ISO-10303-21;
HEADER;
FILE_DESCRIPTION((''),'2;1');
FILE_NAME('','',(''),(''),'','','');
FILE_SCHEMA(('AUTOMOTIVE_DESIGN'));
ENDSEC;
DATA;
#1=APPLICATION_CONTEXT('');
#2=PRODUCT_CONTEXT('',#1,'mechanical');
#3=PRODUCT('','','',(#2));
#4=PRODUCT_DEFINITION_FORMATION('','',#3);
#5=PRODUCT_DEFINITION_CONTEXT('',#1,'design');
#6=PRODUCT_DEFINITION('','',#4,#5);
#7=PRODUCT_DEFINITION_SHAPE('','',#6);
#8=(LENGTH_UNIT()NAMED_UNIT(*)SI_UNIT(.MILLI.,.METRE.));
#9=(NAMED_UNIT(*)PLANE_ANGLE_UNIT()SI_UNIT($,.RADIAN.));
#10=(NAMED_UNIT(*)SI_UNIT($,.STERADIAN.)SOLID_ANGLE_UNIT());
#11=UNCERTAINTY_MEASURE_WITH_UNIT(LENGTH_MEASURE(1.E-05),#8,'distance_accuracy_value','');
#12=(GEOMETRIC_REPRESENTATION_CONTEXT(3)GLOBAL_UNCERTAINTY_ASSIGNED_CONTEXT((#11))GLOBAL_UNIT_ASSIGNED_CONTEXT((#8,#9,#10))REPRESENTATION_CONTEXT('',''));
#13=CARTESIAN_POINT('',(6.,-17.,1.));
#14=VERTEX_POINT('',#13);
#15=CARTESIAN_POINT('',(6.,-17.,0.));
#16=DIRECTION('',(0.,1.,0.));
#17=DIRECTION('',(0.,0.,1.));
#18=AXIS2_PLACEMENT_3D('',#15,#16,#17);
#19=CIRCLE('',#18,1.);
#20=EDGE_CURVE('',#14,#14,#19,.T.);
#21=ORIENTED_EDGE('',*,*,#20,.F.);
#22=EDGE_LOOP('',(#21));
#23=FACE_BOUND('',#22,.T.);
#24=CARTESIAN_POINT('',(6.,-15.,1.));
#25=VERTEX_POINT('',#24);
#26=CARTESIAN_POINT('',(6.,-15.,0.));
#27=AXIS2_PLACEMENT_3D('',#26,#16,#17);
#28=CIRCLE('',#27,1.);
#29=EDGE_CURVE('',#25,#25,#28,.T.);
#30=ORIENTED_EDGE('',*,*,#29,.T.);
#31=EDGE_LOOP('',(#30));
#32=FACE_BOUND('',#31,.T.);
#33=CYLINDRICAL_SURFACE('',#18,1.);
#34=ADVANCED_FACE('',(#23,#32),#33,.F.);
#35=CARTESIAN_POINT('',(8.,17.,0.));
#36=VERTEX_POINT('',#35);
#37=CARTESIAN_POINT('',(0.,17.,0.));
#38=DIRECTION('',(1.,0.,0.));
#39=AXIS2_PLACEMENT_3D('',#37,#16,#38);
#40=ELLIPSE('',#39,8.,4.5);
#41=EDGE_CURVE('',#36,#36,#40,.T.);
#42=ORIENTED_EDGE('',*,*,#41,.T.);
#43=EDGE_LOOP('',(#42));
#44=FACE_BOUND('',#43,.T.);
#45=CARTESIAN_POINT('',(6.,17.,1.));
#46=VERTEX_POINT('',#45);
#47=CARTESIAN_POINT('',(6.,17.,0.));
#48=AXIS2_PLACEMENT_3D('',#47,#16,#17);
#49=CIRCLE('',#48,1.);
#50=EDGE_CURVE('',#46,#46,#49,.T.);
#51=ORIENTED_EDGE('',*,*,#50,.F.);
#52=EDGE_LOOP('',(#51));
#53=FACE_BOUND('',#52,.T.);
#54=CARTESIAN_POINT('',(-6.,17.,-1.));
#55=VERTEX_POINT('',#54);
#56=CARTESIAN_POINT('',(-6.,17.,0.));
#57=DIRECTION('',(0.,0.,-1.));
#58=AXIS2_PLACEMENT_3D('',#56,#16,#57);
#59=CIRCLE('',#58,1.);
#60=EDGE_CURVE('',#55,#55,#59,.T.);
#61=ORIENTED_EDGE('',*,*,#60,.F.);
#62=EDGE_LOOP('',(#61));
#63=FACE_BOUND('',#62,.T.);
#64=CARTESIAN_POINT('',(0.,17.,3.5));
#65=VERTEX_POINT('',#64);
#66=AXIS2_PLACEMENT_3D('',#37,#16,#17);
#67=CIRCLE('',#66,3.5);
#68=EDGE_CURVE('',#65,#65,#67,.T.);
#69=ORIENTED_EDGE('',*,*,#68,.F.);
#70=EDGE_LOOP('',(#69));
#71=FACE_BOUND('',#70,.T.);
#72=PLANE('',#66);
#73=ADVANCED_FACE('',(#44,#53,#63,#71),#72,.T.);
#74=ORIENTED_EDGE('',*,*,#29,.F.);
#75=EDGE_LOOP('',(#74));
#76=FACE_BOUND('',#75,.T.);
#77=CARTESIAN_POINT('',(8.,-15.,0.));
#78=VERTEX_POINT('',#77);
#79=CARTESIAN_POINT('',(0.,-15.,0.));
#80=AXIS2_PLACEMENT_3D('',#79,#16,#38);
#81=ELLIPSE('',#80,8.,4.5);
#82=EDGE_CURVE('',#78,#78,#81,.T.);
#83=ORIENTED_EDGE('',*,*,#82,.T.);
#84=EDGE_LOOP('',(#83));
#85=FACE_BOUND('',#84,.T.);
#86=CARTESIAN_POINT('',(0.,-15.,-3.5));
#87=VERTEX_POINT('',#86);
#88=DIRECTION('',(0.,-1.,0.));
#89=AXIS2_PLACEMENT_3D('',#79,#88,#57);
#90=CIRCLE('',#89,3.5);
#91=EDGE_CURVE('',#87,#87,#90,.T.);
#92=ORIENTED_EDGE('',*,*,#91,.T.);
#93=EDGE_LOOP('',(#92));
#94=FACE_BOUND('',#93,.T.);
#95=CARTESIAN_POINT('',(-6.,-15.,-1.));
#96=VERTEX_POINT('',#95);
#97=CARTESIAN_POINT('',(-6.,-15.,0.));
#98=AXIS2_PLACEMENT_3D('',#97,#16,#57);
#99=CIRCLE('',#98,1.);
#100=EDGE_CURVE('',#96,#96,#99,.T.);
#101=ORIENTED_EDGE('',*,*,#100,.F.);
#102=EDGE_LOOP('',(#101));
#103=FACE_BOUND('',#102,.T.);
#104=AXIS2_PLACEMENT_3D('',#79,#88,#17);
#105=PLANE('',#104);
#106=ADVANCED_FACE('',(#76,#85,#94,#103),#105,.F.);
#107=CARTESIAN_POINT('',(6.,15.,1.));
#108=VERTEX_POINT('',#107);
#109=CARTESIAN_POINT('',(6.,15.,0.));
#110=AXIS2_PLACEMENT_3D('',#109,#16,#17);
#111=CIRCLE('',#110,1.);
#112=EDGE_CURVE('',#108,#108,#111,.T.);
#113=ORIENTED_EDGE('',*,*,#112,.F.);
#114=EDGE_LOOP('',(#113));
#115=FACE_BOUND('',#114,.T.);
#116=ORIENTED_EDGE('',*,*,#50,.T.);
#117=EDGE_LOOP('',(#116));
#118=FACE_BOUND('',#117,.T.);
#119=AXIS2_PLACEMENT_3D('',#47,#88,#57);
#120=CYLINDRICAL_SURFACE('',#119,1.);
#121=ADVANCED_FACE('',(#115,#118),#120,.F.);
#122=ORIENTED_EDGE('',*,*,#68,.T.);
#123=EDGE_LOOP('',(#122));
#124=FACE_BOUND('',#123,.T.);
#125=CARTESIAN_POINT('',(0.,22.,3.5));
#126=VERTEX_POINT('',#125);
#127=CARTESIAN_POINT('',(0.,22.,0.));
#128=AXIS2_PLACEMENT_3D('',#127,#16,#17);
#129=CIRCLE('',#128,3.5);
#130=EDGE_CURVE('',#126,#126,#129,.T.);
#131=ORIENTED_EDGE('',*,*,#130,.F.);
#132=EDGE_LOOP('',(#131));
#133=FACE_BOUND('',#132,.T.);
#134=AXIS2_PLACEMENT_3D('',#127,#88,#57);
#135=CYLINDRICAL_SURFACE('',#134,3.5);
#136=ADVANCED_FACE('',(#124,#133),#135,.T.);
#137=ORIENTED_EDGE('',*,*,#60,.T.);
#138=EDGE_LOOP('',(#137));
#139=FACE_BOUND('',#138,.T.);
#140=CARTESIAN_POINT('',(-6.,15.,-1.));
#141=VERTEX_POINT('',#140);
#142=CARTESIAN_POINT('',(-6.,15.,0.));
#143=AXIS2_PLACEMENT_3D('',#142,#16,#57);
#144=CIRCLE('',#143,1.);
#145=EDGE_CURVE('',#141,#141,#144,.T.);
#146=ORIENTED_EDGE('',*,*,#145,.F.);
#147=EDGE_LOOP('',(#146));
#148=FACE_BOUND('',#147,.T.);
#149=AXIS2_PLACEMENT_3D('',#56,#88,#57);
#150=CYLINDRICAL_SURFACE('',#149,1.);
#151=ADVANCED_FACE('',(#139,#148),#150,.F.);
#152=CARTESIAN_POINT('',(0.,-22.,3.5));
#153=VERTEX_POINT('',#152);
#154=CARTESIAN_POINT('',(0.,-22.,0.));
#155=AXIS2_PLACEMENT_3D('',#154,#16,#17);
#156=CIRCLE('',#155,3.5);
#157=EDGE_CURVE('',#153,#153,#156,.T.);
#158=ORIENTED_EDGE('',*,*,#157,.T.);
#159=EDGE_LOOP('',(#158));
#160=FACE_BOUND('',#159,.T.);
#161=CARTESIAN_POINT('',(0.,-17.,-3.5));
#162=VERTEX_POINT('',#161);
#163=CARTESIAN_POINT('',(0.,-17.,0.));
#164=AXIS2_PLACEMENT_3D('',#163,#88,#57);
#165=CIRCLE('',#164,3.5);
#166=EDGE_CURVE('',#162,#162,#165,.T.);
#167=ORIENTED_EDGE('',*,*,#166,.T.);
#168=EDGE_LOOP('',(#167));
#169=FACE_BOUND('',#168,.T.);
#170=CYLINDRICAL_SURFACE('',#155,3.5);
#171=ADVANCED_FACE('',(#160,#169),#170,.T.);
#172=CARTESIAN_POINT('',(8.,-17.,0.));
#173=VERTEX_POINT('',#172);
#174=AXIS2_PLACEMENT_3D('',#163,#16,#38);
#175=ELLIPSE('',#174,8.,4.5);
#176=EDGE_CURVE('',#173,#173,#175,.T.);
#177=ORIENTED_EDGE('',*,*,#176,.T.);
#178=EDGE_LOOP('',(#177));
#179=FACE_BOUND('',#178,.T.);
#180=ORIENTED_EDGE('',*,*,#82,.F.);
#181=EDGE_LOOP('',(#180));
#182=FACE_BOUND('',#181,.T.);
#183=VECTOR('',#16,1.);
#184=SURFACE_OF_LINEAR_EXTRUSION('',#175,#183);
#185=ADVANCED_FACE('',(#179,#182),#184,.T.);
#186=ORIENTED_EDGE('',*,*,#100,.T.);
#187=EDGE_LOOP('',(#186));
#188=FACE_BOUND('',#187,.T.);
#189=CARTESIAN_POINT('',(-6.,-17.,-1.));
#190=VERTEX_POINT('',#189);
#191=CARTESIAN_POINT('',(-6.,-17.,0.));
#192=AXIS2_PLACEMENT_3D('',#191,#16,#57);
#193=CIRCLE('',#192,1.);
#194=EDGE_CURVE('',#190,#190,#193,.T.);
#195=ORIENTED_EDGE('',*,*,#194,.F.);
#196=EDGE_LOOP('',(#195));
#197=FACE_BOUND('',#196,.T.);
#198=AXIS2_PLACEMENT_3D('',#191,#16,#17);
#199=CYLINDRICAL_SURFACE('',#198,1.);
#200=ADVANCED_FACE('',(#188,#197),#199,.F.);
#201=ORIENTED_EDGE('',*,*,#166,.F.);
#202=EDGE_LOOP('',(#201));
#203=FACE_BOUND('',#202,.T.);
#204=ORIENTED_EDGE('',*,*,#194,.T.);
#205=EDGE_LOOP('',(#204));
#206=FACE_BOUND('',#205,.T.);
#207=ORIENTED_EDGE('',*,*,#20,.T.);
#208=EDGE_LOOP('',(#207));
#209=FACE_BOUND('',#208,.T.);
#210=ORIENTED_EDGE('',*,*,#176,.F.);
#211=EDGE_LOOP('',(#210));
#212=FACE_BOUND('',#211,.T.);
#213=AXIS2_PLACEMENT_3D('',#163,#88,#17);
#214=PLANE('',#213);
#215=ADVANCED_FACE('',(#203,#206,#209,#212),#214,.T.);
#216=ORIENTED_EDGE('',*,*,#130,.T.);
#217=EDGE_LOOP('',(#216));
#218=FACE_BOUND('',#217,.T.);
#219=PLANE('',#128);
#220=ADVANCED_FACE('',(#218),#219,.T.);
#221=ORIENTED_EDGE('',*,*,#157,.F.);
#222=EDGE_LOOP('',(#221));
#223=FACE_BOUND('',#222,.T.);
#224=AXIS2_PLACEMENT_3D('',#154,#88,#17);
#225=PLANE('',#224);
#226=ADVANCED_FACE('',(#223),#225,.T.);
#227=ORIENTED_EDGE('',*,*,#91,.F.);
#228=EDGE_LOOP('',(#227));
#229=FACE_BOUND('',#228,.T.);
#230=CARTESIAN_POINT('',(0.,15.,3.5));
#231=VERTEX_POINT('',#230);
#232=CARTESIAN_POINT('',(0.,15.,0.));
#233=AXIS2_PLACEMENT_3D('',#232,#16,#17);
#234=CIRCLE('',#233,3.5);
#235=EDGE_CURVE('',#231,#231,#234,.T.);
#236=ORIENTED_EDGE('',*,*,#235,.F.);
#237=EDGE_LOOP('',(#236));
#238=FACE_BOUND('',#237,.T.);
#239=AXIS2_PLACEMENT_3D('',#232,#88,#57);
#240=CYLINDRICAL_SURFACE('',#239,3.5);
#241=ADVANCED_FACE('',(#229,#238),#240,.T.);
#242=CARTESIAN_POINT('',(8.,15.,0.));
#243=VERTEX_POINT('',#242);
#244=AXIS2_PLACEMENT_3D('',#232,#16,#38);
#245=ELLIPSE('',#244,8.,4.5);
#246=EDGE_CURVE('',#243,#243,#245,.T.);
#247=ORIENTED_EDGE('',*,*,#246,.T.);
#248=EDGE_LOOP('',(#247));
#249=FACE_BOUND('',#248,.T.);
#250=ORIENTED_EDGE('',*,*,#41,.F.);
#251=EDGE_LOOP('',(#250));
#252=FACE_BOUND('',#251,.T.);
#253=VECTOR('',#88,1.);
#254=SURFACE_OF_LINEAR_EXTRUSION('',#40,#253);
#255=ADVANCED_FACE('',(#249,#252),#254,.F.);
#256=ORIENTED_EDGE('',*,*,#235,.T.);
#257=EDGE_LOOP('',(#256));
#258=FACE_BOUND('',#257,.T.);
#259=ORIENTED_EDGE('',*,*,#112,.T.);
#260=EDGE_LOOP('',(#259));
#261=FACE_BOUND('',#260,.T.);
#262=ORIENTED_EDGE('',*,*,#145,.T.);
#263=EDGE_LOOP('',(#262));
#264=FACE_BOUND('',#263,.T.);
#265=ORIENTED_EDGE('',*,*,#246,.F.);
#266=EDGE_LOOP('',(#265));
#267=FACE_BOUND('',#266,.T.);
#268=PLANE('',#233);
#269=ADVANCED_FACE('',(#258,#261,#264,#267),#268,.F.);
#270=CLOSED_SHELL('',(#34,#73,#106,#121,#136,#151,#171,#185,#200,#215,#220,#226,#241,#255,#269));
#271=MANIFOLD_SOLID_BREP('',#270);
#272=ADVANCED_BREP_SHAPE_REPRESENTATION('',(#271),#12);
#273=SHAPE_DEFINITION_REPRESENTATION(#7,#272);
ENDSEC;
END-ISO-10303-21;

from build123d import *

# Parameters (mm, degrees)
ESQUISSE1_R        = 3.5
BOSS_EXTRU_1_DEPTH = 15
ESQUISSE2_RX       = 8
ESQUISSE2_RY       = 4.5
ESQUISSE2_R        = 1
BOSS_EXTRU_2_DEPTH = 2
ESQUISSE4_R        = 3.5
BOSS_EXTRU_3_DEPTH = 5


with BuildPart() as part:
    # Esquisse1 → Boss.-Extru.1 (new body)
    with BuildSketch(Plane(origin=(0, 0, 0), x_dir=(1, 0, 0), z_dir=(0, 1, 0))):
        Circle(ESQUISSE1_R)
    boss_extru_1 = extrude(amount=BOSS_EXTRU_1_DEPTH)

    # Esquisse2 → Boss.-Extru.2 (add)
    with BuildSketch(Plane(origin=(0, 15, 0), x_dir=(1, 0, 0), z_dir=(0, 1, 0))):
        with Locations((0, 0)):
            Ellipse(ESQUISSE2_RX, ESQUISSE2_RY)
        with Locations((6, 0)):
            Circle(ESQUISSE2_R, mode=Mode.SUBTRACT)
        with Locations((-6, 0)):
            Circle(ESQUISSE2_R, mode=Mode.SUBTRACT)
    boss_extru_2 = extrude(amount=BOSS_EXTRU_2_DEPTH)

    # Esquisse4 → Boss.-Extru.3 (add)
    with BuildSketch(Plane(origin=(0, 17, 0), x_dir=(1, 0, 0), z_dir=(0, 1, 0))):
        Circle(ESQUISSE4_R)
    boss_extru_3 = extrude(amount=BOSS_EXTRU_3_DEPTH)

    # Symétrie1: Boss.-Extru.1, Boss.-Extru.2, Boss.-Extru.3 across plane
    add(boss_extru_1.mirror(Plane.ZX))
    add(boss_extru_2.mirror(Plane.ZX))
    add(boss_extru_3.mirror(Plane.ZX))


solid = part.part
